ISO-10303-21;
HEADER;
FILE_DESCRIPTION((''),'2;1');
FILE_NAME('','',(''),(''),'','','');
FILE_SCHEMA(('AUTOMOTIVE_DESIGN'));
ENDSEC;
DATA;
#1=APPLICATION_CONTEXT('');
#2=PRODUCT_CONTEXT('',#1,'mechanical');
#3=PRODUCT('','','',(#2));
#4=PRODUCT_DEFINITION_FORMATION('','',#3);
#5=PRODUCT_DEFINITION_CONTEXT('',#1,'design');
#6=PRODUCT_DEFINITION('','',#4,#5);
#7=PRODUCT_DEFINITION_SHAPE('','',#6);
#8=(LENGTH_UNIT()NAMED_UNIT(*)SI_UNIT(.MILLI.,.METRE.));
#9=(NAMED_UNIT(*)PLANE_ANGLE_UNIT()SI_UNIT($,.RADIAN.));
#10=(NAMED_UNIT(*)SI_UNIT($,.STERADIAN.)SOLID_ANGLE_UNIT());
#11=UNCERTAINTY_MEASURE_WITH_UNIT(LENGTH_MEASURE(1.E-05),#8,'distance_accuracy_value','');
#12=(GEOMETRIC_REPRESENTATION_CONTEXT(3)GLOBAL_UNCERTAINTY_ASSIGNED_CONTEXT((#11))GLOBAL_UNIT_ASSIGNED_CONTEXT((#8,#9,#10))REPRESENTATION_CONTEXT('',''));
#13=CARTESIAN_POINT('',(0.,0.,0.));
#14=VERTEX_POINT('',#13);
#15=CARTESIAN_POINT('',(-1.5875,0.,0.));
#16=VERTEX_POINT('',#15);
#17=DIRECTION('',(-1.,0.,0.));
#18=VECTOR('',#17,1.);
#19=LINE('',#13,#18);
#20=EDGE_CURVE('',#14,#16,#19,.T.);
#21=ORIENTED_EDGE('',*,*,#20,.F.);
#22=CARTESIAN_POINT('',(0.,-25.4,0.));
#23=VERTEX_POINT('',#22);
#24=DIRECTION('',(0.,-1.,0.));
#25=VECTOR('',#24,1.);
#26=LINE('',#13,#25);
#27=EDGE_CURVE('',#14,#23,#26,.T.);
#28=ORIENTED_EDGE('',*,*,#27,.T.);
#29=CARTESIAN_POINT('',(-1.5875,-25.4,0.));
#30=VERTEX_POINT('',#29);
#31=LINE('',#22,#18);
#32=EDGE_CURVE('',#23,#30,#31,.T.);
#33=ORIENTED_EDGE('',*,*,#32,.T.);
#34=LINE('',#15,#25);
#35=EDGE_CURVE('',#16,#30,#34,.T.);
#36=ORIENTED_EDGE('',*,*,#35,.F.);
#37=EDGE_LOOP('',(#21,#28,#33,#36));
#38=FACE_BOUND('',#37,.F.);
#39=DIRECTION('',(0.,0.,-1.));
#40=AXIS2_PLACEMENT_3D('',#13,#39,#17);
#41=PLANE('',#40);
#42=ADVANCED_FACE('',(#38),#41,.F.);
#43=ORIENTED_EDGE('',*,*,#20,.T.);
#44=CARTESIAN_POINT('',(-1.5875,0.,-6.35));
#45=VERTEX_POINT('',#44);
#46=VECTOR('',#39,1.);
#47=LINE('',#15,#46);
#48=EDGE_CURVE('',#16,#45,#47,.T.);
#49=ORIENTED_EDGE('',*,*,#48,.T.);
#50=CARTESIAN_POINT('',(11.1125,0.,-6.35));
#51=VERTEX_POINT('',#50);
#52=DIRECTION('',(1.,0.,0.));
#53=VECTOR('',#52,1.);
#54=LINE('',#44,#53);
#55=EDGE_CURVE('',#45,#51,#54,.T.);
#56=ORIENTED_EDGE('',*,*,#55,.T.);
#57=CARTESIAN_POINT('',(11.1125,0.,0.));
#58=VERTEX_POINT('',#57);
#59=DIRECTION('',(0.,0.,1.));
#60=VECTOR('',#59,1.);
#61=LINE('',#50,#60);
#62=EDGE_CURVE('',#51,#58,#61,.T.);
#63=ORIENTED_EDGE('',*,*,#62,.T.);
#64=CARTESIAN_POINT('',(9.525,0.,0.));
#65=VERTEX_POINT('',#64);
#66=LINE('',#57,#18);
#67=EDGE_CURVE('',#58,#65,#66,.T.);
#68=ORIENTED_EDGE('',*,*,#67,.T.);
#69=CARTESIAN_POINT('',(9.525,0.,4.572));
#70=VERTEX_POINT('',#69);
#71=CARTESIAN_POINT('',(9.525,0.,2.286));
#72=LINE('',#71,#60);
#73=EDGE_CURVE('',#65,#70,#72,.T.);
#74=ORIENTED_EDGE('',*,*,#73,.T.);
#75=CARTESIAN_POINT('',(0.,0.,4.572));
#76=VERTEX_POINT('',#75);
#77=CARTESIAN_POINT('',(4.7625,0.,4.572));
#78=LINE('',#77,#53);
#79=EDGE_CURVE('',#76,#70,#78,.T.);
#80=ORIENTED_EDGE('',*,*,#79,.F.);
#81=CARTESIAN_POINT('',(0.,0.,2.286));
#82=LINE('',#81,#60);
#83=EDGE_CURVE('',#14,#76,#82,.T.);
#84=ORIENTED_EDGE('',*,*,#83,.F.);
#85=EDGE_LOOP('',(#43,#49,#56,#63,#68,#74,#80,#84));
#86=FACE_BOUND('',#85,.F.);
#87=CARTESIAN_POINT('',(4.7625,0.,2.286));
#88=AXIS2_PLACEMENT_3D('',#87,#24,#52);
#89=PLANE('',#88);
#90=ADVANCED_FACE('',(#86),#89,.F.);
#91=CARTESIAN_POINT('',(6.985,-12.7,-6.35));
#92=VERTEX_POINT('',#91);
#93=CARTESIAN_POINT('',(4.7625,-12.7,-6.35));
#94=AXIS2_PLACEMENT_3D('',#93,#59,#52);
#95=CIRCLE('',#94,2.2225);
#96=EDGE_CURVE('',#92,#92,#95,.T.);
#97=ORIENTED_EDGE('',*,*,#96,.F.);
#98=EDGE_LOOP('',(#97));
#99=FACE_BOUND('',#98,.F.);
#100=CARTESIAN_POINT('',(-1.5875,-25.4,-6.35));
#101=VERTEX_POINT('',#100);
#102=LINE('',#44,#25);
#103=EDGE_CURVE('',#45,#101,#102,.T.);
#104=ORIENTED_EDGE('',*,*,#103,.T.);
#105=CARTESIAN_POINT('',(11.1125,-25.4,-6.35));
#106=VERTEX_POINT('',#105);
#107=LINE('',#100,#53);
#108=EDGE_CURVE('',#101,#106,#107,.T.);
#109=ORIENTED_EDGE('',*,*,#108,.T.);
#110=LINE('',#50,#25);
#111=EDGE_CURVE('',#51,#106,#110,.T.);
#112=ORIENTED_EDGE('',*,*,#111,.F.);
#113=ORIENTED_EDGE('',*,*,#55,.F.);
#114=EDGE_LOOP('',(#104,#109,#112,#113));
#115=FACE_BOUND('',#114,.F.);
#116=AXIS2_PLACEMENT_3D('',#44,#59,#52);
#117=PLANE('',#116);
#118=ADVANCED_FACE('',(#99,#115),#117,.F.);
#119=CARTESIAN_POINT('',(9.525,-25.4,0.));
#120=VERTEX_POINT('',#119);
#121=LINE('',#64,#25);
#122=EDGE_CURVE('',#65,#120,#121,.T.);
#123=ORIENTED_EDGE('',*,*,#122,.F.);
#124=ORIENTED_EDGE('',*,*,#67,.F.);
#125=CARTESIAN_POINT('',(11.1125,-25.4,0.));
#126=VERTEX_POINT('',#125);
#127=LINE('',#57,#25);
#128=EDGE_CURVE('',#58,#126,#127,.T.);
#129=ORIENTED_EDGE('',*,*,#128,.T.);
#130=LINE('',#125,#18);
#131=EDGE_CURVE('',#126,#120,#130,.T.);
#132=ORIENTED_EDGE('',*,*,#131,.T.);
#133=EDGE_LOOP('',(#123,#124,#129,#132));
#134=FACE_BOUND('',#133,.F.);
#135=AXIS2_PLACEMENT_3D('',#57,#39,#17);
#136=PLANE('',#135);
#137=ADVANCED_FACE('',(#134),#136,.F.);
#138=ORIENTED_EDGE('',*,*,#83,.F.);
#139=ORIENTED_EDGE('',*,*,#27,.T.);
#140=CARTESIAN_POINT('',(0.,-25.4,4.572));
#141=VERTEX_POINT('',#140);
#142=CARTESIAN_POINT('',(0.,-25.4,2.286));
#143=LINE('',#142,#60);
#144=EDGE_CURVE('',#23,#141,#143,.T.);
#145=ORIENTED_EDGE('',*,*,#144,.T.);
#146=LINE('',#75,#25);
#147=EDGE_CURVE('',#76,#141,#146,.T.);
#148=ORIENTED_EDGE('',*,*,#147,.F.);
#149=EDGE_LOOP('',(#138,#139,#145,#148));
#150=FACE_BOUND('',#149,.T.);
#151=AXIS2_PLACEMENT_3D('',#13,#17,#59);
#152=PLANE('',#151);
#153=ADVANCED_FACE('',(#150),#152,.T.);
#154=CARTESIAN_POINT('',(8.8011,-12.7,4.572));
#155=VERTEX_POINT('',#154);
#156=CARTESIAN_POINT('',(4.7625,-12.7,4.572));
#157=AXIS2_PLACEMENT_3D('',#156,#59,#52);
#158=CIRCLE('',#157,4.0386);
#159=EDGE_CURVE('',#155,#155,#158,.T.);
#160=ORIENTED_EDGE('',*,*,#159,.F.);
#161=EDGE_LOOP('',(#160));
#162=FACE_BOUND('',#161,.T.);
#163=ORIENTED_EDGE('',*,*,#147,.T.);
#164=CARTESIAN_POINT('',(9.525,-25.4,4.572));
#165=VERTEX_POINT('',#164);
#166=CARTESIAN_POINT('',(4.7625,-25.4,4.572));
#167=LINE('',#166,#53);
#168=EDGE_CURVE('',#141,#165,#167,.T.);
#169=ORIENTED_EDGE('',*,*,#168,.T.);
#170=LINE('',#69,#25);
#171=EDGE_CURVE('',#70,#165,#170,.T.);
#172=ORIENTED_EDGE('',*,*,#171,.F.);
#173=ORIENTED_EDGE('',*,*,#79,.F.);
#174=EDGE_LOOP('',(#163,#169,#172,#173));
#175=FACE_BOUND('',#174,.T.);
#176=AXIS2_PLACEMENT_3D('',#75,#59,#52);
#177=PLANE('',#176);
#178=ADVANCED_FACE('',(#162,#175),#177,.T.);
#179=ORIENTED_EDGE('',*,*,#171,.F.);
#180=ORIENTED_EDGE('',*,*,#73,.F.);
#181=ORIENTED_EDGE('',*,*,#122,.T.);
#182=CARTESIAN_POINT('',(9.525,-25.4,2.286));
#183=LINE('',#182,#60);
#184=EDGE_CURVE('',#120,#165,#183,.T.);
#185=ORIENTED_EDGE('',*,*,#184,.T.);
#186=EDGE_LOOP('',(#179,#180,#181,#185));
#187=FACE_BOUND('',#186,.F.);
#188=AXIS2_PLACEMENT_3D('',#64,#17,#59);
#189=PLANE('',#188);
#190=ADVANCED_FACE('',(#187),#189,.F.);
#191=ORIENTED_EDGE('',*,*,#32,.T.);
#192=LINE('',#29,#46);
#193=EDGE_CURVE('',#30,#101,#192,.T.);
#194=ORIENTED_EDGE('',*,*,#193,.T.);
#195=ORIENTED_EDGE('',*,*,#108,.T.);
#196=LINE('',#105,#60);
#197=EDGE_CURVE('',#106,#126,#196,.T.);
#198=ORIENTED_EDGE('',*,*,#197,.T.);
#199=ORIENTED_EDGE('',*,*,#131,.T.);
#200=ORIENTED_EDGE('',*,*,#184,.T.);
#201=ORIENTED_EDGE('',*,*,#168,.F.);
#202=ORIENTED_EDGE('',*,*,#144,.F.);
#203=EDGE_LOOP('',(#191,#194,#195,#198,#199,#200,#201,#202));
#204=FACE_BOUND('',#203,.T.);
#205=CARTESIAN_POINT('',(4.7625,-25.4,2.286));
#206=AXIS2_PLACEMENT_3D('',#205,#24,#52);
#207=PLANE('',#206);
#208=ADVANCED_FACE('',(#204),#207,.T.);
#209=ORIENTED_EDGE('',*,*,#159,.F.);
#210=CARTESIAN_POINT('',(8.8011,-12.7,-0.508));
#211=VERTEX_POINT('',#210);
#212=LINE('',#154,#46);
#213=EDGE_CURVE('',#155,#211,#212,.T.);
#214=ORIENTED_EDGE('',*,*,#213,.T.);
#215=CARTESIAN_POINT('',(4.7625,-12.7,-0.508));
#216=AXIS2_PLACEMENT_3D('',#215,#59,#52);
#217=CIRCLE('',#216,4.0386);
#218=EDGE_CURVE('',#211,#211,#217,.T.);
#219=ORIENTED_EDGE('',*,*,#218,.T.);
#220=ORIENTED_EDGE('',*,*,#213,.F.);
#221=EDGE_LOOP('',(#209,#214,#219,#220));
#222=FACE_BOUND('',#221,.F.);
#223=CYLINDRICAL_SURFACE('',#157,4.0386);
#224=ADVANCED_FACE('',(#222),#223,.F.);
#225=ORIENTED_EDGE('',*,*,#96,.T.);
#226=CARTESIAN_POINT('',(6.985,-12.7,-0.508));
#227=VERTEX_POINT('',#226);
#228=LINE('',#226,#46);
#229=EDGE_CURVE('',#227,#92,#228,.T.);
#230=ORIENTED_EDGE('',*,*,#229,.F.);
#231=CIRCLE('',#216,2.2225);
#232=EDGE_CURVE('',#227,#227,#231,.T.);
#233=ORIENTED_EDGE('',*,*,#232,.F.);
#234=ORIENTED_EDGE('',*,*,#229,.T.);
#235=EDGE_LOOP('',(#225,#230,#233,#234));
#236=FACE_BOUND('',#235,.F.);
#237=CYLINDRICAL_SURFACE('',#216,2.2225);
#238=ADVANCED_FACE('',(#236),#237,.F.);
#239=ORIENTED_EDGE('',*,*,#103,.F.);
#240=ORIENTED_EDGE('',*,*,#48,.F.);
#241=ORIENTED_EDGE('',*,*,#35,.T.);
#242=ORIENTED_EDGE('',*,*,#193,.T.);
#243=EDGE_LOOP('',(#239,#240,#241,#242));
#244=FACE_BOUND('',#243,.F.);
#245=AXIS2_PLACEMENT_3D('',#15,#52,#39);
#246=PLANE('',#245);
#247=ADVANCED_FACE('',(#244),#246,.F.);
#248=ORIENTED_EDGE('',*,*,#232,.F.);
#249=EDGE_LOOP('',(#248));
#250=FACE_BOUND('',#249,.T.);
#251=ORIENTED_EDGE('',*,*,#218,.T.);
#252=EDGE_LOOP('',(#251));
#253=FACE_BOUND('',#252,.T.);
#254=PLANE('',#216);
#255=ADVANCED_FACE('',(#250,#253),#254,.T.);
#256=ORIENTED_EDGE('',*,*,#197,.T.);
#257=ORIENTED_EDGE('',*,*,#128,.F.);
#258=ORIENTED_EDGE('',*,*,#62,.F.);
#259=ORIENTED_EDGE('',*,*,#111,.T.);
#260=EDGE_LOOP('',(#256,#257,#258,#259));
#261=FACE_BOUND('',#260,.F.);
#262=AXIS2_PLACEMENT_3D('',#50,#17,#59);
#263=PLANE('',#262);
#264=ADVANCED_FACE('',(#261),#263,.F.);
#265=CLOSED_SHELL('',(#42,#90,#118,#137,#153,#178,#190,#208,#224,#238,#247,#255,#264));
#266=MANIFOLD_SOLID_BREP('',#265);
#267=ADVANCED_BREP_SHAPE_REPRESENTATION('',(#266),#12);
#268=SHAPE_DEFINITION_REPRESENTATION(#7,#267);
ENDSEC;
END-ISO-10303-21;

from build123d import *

# Parameters (mm, degrees)
F0_W     = 9.525
F0_H     = 4.572
F1_DEPTH = 25.4
F2_R     = 4.0386
F3_DEPTH = 5.08
F4_R     = 2.2225
F5_DEPTH = 5.843


with BuildPart() as f1:
    # F0 (on Front) → F1 (new body)
    with BuildSketch(Plane.XZ):
        with Locations((4.7625, 2.286)):
            Rectangle(F0_W, F0_H)
        Polygon((9.525, 0), (0, 0), (-1.5875, 0), (-1.5875, -6.35), (11.1125, -6.35), (11.1125, 0), align=None)
    extrude(amount=F1_DEPTH)

    # F2 (on face) → F3 (cut)
    with BuildSketch(Plane.XY.offset(4.572)):
        with Locations((4.7625, -12.7)):
            Circle(F2_R)
    extrude(amount=-F3_DEPTH, mode=Mode.SUBTRACT)

    # F4 (on face) → F5 (cut, through all)
    with BuildSketch(Plane.XY.offset(-0.508)):
        with Locations((4.7625, -12.7)):
            Circle(F4_R)
    extrude(amount=-F5_DEPTH, mode=Mode.SUBTRACT)


solid = f1.part
